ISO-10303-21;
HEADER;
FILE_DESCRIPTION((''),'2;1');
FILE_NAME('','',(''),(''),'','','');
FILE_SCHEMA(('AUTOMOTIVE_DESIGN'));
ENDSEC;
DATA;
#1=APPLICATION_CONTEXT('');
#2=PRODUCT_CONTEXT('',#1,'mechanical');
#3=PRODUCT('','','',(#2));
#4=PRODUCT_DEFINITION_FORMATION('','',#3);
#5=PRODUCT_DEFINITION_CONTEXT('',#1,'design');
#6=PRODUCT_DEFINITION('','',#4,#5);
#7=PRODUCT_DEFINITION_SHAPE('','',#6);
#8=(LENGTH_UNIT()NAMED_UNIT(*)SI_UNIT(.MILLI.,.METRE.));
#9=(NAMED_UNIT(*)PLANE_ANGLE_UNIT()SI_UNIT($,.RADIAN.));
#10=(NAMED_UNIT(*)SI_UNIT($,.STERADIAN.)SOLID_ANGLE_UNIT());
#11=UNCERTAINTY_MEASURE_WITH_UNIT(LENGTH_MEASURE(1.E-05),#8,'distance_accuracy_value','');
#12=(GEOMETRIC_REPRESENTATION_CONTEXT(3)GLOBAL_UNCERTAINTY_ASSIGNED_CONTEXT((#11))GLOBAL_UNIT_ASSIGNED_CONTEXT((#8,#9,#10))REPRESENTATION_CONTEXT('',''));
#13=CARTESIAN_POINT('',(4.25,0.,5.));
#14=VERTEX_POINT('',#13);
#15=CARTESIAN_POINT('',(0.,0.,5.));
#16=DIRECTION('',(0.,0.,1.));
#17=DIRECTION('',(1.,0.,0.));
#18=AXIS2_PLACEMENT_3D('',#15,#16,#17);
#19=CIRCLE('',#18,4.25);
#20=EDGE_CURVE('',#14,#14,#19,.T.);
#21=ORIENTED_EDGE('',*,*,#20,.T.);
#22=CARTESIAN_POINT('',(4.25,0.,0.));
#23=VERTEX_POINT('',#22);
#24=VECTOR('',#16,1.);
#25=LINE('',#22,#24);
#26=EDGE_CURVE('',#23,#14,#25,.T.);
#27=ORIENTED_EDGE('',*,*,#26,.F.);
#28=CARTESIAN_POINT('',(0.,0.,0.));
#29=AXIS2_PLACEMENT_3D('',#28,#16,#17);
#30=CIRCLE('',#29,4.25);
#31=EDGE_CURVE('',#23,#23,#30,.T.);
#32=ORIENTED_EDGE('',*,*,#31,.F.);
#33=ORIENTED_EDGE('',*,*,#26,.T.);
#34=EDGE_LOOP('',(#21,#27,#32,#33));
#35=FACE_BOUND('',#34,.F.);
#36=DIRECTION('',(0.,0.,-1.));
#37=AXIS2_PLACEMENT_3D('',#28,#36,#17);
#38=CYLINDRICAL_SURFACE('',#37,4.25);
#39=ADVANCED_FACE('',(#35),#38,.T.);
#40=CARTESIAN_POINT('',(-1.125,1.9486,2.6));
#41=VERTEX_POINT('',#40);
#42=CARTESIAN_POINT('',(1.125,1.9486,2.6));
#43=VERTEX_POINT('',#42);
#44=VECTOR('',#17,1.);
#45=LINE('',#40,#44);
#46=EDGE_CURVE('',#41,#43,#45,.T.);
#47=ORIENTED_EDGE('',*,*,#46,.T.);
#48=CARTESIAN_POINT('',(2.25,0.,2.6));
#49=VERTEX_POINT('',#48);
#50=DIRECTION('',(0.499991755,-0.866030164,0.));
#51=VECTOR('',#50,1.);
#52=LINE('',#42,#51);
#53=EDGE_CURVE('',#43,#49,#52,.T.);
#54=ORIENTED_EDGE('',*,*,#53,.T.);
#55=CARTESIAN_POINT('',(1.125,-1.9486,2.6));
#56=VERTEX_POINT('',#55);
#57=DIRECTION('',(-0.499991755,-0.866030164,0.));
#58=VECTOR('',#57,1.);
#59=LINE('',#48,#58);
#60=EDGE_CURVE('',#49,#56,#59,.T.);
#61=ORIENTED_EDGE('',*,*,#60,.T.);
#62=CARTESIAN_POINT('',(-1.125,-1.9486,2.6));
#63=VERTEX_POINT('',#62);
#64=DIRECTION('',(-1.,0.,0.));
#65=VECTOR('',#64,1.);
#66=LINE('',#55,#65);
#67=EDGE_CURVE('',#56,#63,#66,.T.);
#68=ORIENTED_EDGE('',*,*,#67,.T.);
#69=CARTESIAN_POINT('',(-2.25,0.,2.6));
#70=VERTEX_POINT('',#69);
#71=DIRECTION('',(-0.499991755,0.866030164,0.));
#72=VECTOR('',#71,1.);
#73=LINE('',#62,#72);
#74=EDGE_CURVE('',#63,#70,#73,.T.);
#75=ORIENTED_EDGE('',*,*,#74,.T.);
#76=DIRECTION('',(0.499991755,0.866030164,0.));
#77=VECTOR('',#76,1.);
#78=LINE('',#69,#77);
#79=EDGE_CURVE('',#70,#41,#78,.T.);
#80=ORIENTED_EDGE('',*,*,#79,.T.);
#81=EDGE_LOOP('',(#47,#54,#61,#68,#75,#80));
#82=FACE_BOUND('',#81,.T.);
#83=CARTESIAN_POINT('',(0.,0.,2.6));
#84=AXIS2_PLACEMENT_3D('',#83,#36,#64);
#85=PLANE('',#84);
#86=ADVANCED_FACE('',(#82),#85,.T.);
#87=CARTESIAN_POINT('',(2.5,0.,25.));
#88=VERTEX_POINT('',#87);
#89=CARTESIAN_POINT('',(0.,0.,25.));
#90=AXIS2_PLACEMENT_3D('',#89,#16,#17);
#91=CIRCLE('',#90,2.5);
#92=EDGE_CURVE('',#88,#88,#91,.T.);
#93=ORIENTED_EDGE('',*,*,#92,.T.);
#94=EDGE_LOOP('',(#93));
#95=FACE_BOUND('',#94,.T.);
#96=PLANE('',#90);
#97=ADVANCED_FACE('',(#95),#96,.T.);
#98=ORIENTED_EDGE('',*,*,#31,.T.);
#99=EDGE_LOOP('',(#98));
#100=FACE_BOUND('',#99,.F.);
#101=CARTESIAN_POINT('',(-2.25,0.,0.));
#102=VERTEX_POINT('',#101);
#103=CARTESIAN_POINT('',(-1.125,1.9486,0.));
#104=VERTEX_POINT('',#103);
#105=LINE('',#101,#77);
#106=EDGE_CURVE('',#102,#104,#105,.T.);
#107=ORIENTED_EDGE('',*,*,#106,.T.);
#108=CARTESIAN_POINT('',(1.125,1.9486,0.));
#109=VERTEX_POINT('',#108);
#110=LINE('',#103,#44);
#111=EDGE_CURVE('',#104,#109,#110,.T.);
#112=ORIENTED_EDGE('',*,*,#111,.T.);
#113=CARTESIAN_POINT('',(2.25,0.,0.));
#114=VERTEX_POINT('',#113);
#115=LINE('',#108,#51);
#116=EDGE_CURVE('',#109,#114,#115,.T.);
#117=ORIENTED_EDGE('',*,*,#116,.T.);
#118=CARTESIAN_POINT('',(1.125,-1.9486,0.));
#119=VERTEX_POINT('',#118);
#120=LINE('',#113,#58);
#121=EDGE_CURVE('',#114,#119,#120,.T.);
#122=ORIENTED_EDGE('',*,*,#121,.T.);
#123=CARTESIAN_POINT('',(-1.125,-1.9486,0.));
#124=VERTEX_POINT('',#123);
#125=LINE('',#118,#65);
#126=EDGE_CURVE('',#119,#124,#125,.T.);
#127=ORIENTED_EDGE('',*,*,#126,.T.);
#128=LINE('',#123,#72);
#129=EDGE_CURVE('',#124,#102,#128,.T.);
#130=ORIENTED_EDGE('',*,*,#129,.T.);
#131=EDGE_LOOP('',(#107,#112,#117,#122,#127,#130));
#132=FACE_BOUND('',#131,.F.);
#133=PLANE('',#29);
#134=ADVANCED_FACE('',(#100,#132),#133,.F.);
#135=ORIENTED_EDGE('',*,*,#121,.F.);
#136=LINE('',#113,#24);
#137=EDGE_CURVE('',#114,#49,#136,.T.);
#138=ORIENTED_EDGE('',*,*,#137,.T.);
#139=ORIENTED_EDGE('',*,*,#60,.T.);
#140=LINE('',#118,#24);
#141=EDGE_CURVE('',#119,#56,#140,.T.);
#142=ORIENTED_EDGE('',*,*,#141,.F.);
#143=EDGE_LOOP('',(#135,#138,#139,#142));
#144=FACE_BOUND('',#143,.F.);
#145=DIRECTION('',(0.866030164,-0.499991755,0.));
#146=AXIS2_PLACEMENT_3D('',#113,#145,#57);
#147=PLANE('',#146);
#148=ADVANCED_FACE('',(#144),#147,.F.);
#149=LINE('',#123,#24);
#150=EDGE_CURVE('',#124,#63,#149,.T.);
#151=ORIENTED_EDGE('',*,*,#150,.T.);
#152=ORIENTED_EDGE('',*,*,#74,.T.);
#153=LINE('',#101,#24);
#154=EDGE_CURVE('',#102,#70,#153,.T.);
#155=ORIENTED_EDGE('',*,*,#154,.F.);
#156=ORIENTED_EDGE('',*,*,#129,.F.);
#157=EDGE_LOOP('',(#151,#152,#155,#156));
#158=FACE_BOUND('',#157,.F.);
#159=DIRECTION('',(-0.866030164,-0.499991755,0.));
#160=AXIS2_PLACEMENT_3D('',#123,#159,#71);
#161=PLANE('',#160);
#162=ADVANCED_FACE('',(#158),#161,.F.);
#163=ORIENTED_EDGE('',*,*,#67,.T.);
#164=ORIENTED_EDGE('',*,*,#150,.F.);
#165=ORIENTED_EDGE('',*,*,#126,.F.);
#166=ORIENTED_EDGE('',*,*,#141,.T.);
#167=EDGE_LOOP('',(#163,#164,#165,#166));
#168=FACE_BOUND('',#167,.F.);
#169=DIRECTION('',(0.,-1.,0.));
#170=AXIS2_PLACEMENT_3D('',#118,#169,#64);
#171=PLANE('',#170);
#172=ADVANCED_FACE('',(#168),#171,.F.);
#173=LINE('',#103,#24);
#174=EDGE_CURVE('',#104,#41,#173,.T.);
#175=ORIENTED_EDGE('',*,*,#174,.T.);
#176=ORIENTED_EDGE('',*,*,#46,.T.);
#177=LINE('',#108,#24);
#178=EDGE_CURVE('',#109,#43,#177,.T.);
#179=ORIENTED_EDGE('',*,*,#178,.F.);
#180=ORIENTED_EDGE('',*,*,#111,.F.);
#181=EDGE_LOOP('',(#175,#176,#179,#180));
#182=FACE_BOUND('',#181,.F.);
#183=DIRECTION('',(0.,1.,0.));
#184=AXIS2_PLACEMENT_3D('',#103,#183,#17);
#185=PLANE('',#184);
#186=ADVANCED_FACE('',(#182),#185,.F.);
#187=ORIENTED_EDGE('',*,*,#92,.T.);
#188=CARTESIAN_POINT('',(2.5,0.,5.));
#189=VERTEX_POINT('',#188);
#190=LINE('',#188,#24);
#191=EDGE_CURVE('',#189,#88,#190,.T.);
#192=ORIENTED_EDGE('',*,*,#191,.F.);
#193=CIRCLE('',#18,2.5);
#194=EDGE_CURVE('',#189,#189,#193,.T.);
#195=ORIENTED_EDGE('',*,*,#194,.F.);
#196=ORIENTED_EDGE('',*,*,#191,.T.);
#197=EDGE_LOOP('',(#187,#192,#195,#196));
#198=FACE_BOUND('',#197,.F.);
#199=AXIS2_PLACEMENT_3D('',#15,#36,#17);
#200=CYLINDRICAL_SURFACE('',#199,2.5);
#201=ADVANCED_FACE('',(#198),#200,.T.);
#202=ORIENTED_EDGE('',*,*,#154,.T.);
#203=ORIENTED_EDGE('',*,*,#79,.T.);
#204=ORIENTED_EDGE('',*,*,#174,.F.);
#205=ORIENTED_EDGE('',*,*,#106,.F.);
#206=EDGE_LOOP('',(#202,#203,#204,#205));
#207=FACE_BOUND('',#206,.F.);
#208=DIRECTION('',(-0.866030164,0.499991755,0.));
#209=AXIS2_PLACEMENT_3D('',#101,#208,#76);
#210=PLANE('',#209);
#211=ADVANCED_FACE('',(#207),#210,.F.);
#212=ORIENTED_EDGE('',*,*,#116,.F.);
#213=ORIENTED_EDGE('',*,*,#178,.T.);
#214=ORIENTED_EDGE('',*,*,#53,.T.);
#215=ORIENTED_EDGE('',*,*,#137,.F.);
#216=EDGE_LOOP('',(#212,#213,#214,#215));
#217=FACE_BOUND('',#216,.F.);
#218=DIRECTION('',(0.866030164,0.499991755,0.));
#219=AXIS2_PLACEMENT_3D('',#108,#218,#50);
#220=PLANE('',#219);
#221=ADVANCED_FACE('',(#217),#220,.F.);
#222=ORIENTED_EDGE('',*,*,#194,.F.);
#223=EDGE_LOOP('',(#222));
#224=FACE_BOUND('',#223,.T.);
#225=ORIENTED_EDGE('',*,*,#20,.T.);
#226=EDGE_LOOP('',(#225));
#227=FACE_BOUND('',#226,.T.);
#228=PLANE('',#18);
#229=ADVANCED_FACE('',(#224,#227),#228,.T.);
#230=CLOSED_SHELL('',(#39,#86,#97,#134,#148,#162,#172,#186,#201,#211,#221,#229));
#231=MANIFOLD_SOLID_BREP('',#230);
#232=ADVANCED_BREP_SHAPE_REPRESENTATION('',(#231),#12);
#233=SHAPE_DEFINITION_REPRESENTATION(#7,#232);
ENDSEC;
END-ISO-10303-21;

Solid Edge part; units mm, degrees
sketch "Sketch1" plane through (0, 0, 0) normal (0, 0, 1) x (1, 0, 0)
  circle A0 centre (0, 0) radius 4.25
  dimension "D1" = 8.5
extrude "Protrusion1" add sketch "Sketch1" along normal blind 5
sketch "Sketch2" plane through (0, 0, 5) normal (0, 0, 1) x (1, 0, 0)
  circle A0 centre (0, 0) radius 2.5
extrude "ExtrudedProtrusion_2" add sketch "Sketch2" along normal blind 20
sketch "Sketch3" plane through (0, 0, 0) normal (0, 0, -1) x (-1, 0, 0)
  line L0 (2.25, 0) -> (1.125, 1.9486)
  line L1 (1.125, 1.9486) -> (-1.125, 1.9486)
  line L2 (-1.125, 1.9486) -> (-2.25, 0)
  line L3 (-2.25, 0) -> (-1.125, -1.9486)
  line L4 (-1.125, -1.9486) -> (1.125, -1.9486)
  line L5 (1.125, -1.9486) -> (2.25, 0)
extrude "ExtrudedCutout_1" cut sketch "Sketch3" against normal blind 2.6
properties material "Stainless steel"
